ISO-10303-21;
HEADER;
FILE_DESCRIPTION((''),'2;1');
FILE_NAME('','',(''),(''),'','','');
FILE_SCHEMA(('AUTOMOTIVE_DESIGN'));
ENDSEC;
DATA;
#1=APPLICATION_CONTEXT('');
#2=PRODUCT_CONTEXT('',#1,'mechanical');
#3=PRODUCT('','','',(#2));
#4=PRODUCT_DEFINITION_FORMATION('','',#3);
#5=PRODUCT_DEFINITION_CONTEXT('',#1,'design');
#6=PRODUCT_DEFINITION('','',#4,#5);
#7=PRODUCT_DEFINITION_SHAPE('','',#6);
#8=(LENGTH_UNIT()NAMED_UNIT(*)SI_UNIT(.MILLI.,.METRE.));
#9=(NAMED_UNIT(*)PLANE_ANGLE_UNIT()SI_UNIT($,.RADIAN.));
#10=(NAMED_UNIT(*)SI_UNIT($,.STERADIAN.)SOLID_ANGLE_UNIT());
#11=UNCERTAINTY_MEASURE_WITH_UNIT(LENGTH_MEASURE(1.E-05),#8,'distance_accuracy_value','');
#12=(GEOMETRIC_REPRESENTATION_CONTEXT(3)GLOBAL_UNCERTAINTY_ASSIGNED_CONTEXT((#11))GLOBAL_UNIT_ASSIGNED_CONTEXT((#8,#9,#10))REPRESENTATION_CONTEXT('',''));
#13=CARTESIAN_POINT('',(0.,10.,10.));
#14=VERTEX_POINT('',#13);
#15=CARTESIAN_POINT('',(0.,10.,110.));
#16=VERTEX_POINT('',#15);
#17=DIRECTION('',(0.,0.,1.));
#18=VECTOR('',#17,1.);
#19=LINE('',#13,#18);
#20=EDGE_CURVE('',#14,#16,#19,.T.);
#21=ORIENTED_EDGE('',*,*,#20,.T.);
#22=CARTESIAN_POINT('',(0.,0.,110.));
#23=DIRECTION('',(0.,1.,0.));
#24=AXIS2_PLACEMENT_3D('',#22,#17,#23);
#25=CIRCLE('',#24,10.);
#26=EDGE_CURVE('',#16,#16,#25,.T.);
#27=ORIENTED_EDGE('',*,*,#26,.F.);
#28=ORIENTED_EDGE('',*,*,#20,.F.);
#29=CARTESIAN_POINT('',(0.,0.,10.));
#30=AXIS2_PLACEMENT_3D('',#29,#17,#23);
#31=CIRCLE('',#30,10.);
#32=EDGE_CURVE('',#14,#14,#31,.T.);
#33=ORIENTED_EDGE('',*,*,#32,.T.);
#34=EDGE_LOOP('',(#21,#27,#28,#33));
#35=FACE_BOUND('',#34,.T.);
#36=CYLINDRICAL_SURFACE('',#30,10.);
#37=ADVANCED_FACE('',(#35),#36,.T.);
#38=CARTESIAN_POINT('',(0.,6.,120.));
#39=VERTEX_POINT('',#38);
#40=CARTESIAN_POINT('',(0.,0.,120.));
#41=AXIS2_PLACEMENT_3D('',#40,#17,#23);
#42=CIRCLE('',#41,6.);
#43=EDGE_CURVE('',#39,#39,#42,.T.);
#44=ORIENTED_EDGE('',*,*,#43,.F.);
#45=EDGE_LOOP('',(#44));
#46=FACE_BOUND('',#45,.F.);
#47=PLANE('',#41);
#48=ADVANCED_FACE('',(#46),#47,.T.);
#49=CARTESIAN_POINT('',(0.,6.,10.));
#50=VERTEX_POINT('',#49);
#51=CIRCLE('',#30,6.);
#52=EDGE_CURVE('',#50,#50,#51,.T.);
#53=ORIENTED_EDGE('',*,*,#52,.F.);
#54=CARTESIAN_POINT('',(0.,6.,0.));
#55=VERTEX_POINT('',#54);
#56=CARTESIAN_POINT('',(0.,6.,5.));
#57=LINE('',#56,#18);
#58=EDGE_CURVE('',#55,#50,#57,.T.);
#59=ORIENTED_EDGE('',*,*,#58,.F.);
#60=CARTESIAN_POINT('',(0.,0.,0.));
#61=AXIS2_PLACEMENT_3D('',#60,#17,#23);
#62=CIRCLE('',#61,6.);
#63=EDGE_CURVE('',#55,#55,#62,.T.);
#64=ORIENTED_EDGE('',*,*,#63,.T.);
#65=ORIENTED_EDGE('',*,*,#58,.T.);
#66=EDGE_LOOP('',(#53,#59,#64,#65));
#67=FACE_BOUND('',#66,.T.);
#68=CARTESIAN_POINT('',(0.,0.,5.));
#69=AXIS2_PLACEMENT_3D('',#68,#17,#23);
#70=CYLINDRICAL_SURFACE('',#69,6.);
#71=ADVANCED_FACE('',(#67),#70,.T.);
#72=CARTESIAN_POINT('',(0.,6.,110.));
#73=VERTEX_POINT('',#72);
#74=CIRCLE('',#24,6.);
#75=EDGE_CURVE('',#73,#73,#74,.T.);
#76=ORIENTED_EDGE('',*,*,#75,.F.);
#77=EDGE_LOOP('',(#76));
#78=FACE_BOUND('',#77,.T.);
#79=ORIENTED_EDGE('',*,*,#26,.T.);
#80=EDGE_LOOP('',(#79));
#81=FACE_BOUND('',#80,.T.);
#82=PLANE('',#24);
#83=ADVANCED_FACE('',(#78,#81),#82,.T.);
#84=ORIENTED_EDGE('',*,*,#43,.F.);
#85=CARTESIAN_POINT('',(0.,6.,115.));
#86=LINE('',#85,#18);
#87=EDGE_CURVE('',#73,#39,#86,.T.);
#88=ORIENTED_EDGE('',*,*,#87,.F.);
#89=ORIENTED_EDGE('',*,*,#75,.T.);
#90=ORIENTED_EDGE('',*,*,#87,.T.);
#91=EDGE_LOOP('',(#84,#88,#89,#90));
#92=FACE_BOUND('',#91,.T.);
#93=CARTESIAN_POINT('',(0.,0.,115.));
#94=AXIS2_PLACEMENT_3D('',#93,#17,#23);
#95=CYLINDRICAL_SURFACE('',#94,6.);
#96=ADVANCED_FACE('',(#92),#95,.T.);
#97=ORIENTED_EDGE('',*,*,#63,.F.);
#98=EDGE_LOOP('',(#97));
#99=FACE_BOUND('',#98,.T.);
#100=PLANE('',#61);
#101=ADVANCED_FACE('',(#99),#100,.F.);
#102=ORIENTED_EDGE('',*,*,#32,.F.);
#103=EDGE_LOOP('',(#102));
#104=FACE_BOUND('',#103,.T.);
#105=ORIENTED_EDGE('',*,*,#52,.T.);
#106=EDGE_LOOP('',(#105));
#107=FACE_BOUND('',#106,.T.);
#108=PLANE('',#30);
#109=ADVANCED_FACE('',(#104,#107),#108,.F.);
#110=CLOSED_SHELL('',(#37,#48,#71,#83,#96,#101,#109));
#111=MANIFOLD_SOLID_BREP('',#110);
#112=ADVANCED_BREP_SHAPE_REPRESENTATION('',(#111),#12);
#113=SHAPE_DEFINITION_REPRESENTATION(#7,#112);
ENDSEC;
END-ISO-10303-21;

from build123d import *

# Parameters (mm, degrees)
F0_W = 6
F0_H = 10


with BuildPart() as f1:
    # F0 (on Right) → F1 (revolve)
    with BuildSketch(Plane.YZ):
        Polygon((0, 110), (0, 10), (6, 10), (10, 10), (10, 110), (6, 110), align=None)
        with Locations((3, 115)):
            Rectangle(F0_W, F0_H)
        with Locations((3, 5)):
            Rectangle(F0_W, F0_H)
    revolve(axis=Axis((0, 0, 60), (0, 0, 1)))


solid = f1.part
